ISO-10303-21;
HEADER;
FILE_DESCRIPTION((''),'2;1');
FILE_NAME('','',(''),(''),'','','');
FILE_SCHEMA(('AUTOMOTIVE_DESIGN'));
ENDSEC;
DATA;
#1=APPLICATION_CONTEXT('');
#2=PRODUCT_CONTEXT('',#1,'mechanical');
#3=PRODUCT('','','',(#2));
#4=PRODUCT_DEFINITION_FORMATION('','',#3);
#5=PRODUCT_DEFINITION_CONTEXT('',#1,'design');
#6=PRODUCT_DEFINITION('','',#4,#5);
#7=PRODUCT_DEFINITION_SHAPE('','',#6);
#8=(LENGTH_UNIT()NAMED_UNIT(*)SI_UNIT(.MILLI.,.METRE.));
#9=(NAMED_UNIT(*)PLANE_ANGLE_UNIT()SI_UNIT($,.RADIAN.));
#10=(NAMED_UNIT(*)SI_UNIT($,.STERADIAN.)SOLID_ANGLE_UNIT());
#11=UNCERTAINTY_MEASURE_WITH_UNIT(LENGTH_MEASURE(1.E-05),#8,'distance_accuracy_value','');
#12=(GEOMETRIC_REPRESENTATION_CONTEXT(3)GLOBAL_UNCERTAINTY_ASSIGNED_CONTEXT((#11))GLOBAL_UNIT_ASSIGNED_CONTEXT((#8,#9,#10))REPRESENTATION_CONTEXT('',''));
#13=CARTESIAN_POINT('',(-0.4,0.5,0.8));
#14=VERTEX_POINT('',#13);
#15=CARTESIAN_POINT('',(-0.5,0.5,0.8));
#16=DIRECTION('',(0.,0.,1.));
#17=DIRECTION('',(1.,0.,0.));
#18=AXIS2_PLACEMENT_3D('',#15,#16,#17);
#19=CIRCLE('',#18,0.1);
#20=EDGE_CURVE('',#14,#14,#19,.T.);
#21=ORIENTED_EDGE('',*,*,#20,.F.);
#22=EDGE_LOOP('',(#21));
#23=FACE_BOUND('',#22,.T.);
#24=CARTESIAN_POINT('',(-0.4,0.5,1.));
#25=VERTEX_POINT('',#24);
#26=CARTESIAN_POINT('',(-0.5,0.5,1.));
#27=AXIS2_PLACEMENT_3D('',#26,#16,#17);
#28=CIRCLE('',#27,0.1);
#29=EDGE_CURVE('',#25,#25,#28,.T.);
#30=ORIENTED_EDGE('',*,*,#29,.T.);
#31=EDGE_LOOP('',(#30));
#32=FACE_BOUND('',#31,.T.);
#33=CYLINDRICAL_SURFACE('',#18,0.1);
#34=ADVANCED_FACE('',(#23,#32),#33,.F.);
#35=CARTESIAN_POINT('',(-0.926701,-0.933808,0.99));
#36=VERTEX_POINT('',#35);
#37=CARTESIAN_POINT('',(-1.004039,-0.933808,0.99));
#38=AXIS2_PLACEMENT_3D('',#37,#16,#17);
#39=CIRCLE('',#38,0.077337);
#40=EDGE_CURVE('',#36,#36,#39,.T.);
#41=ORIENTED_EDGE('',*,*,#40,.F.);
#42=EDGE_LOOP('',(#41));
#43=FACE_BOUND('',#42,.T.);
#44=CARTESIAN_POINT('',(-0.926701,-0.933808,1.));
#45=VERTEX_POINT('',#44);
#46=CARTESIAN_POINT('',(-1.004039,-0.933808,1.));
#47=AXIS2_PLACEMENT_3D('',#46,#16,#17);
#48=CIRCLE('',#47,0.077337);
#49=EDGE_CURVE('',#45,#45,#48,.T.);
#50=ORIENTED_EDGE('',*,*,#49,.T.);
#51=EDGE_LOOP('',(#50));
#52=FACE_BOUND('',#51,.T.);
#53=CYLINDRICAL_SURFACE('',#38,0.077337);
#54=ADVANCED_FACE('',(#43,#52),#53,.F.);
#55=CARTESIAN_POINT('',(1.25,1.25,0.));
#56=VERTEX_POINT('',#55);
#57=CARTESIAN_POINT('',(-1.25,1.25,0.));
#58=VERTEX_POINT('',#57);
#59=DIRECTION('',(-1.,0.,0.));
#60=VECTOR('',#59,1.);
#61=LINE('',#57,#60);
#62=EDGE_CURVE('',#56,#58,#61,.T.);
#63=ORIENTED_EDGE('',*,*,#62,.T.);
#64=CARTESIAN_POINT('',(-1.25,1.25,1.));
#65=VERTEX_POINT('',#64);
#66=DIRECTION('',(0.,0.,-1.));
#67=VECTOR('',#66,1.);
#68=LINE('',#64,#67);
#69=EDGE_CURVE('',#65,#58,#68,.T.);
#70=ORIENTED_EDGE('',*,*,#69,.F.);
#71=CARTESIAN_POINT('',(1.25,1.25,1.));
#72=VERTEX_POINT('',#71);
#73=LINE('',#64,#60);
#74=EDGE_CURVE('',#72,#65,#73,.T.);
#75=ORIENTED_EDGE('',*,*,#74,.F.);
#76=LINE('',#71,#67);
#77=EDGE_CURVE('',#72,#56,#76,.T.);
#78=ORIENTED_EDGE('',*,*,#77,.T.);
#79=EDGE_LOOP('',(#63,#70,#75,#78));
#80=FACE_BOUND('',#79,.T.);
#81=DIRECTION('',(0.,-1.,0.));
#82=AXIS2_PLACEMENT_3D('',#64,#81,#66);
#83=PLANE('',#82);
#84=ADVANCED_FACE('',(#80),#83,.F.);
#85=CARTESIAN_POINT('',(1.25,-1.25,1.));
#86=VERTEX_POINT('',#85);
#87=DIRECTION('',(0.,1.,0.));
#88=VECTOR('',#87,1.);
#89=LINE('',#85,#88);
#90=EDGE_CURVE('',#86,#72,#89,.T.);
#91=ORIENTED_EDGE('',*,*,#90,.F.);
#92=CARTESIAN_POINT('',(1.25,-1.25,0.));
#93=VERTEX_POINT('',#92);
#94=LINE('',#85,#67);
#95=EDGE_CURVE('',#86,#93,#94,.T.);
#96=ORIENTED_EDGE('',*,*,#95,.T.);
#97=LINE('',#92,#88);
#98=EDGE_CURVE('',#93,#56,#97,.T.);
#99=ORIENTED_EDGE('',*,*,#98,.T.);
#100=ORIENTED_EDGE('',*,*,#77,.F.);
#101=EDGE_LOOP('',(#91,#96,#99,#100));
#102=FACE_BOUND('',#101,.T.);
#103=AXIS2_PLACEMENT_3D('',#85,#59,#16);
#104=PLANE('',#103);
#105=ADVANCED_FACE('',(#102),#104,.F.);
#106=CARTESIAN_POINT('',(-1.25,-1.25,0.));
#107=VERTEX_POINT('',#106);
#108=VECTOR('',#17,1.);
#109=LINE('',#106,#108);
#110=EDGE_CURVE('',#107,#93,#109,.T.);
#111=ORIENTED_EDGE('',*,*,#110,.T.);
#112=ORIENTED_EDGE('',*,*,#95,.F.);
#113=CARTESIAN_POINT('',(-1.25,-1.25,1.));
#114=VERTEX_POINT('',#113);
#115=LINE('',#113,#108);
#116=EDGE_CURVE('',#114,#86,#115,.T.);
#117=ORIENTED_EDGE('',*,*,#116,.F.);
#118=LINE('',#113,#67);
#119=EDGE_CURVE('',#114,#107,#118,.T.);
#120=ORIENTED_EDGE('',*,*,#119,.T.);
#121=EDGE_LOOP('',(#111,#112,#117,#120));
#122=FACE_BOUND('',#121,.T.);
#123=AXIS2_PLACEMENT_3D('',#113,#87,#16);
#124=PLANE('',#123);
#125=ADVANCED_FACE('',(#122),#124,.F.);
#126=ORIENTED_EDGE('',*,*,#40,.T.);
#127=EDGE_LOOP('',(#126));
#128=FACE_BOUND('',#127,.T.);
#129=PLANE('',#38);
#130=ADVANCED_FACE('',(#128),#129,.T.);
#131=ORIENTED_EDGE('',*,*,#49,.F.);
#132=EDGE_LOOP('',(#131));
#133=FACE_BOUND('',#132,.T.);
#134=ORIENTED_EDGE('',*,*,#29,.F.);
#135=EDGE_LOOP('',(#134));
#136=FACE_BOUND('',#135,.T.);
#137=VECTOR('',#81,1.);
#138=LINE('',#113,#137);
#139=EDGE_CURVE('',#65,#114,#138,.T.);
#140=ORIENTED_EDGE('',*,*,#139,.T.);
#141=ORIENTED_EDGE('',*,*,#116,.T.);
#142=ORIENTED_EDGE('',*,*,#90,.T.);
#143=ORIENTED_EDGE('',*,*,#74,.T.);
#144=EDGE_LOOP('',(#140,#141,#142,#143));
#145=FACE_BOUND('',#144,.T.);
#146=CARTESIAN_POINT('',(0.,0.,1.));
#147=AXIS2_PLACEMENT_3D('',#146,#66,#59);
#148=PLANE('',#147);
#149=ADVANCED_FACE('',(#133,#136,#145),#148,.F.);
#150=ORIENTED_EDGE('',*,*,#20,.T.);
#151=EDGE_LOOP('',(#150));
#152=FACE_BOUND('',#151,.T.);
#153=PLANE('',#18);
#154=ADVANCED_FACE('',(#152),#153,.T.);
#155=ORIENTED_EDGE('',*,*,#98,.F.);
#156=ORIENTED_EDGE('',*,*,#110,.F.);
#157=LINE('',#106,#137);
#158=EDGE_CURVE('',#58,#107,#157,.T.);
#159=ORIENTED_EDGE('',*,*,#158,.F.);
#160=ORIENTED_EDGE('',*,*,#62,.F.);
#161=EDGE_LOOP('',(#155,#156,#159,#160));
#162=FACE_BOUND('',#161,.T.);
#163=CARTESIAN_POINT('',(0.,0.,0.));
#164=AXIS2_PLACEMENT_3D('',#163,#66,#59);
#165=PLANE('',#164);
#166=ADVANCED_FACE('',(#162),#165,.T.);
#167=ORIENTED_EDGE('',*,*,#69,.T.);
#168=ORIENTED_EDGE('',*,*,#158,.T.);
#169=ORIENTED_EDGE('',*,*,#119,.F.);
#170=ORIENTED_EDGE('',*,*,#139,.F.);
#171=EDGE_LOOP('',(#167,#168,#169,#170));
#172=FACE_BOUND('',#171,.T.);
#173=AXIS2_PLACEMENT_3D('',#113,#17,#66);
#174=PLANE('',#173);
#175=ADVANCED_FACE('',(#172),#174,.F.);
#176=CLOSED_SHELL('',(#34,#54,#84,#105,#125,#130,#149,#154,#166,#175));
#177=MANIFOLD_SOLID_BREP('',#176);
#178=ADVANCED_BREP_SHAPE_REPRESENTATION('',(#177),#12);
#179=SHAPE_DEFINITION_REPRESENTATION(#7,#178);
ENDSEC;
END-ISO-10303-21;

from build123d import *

# Parameters (mm, degrees)
SKETCH1_W           = 2.5
SKETCH1_H           = 2.5
BOSS_EXTRUDE1_DEPTH = 1
SKETCH2_R           = 0.1
CUT_EXTRUDE1_DEPTH  = 0.2
SKETCH3_R           = 0.077337361
CUT_EXTRUDE2_DEPTH  = 0.01


with BuildPart() as part:
    # Sketch1 → Boss-Extrude1 (new body)
    with BuildSketch(Plane.XY):
        Rectangle(SKETCH1_W, SKETCH1_H)
    extrude(amount=BOSS_EXTRUDE1_DEPTH)

    # Sketch2 → Cut-Extrude1 (cut)
    with BuildSketch(Plane.XY.offset(1)):
        with Locations((-0.5, 0.5)):
            Circle(SKETCH2_R)
    extrude(amount=-CUT_EXTRUDE1_DEPTH, mode=Mode.SUBTRACT)

    # Sketch3 → Cut-Extrude2 (cut)
    with BuildSketch(Plane.XY.offset(1)):
        with Locations((-1.004038856, -0.933808159)):
            Circle(SKETCH3_R)
    extrude(amount=-CUT_EXTRUDE2_DEPTH, mode=Mode.SUBTRACT)


solid = part.part
